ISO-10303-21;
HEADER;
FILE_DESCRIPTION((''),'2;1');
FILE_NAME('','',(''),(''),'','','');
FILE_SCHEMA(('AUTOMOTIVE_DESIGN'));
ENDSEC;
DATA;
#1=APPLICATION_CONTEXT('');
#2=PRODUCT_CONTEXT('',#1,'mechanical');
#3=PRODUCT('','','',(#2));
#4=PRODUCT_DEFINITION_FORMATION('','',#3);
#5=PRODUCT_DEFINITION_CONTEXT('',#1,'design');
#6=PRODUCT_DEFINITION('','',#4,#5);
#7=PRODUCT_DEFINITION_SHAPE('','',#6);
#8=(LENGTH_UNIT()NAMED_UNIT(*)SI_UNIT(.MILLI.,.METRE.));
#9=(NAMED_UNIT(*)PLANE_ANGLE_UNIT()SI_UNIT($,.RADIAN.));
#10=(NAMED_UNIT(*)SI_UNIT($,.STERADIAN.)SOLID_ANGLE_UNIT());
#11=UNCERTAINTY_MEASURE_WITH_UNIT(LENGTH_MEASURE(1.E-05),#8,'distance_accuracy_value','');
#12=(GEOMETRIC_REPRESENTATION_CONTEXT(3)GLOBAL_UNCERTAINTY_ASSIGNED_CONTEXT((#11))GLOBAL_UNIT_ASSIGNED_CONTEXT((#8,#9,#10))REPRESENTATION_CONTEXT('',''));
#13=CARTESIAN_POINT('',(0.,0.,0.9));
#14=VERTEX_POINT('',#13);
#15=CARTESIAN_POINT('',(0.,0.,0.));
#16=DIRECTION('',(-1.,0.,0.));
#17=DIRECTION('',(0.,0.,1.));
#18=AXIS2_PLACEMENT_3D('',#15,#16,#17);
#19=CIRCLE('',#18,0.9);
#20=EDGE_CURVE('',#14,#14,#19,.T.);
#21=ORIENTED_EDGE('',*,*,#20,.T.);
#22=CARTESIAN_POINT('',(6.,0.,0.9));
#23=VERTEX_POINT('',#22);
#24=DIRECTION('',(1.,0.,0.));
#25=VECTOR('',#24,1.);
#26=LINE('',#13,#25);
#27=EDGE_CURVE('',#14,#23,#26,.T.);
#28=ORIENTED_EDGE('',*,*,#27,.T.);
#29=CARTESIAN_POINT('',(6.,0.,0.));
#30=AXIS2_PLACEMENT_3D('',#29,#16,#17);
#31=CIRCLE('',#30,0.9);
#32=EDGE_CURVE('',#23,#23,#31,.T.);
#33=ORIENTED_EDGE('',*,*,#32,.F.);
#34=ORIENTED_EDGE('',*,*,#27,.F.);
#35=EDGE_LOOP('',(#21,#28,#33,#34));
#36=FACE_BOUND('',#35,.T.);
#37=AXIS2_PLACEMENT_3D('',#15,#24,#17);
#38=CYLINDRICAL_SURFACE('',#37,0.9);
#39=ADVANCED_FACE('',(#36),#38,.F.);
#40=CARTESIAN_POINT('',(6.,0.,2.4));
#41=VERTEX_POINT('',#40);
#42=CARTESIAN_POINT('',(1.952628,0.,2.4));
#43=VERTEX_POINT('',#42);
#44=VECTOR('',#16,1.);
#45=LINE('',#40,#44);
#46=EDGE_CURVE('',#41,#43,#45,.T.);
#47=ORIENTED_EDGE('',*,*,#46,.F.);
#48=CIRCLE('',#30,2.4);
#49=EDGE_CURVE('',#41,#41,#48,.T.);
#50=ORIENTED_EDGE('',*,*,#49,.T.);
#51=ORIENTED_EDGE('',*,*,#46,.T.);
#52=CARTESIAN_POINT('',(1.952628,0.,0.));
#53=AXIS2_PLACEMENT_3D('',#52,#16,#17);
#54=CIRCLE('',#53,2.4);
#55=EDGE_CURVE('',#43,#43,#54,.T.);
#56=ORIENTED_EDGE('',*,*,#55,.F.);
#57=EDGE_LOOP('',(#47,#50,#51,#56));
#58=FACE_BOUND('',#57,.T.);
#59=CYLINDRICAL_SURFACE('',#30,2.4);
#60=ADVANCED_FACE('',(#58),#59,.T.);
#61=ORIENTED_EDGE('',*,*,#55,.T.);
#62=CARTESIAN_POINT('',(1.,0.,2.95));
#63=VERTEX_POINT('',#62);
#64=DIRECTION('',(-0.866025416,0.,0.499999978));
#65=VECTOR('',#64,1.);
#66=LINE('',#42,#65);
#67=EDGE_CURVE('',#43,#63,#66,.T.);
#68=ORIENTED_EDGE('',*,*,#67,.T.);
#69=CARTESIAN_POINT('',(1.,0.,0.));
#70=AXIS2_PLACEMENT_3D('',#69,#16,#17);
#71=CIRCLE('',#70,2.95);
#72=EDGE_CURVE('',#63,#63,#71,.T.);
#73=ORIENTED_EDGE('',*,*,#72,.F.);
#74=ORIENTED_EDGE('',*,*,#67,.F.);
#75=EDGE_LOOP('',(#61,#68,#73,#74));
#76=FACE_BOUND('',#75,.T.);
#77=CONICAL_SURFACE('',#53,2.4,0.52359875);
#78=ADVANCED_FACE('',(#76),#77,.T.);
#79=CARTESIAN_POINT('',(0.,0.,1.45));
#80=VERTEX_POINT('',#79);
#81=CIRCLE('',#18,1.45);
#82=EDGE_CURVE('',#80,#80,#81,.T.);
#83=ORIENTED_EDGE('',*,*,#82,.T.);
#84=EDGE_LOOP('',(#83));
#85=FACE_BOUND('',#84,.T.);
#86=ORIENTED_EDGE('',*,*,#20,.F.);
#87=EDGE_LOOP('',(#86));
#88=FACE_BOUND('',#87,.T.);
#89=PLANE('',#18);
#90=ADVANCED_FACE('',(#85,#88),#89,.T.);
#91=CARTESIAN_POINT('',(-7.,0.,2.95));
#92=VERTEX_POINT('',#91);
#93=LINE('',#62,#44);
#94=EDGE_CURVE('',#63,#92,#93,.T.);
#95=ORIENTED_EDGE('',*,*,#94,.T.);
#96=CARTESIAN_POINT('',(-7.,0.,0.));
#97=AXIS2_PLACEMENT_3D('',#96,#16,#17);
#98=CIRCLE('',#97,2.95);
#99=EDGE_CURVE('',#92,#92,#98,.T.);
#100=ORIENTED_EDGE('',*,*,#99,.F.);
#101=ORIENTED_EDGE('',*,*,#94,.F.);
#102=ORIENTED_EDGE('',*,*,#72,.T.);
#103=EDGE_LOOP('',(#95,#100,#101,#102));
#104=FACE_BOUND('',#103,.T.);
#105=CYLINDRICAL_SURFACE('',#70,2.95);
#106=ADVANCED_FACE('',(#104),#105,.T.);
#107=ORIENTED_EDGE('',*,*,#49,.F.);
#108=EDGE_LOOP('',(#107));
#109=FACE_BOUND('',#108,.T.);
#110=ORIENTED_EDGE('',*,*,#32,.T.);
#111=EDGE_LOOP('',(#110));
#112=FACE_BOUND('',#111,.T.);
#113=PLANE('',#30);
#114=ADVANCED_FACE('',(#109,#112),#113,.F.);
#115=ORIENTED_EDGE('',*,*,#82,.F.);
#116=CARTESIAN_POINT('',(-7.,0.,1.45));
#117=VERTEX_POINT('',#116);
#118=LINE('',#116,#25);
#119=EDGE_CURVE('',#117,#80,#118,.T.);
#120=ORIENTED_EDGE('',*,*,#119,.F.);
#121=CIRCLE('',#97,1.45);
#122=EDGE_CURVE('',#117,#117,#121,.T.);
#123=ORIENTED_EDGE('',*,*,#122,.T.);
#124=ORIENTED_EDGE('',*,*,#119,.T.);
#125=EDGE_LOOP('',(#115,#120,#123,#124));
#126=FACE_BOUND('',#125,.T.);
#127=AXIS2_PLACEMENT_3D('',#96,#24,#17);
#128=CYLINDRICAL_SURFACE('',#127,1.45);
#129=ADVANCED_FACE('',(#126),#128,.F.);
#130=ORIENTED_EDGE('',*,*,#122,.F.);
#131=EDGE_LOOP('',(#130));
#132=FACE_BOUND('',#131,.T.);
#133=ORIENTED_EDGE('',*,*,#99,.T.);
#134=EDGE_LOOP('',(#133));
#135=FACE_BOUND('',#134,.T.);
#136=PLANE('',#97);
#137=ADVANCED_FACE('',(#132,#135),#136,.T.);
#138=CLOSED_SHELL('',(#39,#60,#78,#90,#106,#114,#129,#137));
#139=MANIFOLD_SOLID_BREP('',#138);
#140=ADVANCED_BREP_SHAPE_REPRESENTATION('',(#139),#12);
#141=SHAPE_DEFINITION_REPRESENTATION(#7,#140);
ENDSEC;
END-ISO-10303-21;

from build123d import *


with BuildPart() as f1:
    # F0 (on Front) → F1 (revolve)
    with BuildSketch(Plane.XZ):
        Polygon((-7, 2.95), (-7, 1.45), (0, 1.45), (0, 0.9), (6, 0.9), (6, 2.4), (1.952628, 2.4), (1, 2.4), (1, 2.95), align=None)
        Polygon((1.952628, 2.4), (1, 2.95), (1, 2.4), align=None)
    revolve(axis=Axis((-0.070939, 0, 0), (-1, 0, 0)))


solid = f1.part
